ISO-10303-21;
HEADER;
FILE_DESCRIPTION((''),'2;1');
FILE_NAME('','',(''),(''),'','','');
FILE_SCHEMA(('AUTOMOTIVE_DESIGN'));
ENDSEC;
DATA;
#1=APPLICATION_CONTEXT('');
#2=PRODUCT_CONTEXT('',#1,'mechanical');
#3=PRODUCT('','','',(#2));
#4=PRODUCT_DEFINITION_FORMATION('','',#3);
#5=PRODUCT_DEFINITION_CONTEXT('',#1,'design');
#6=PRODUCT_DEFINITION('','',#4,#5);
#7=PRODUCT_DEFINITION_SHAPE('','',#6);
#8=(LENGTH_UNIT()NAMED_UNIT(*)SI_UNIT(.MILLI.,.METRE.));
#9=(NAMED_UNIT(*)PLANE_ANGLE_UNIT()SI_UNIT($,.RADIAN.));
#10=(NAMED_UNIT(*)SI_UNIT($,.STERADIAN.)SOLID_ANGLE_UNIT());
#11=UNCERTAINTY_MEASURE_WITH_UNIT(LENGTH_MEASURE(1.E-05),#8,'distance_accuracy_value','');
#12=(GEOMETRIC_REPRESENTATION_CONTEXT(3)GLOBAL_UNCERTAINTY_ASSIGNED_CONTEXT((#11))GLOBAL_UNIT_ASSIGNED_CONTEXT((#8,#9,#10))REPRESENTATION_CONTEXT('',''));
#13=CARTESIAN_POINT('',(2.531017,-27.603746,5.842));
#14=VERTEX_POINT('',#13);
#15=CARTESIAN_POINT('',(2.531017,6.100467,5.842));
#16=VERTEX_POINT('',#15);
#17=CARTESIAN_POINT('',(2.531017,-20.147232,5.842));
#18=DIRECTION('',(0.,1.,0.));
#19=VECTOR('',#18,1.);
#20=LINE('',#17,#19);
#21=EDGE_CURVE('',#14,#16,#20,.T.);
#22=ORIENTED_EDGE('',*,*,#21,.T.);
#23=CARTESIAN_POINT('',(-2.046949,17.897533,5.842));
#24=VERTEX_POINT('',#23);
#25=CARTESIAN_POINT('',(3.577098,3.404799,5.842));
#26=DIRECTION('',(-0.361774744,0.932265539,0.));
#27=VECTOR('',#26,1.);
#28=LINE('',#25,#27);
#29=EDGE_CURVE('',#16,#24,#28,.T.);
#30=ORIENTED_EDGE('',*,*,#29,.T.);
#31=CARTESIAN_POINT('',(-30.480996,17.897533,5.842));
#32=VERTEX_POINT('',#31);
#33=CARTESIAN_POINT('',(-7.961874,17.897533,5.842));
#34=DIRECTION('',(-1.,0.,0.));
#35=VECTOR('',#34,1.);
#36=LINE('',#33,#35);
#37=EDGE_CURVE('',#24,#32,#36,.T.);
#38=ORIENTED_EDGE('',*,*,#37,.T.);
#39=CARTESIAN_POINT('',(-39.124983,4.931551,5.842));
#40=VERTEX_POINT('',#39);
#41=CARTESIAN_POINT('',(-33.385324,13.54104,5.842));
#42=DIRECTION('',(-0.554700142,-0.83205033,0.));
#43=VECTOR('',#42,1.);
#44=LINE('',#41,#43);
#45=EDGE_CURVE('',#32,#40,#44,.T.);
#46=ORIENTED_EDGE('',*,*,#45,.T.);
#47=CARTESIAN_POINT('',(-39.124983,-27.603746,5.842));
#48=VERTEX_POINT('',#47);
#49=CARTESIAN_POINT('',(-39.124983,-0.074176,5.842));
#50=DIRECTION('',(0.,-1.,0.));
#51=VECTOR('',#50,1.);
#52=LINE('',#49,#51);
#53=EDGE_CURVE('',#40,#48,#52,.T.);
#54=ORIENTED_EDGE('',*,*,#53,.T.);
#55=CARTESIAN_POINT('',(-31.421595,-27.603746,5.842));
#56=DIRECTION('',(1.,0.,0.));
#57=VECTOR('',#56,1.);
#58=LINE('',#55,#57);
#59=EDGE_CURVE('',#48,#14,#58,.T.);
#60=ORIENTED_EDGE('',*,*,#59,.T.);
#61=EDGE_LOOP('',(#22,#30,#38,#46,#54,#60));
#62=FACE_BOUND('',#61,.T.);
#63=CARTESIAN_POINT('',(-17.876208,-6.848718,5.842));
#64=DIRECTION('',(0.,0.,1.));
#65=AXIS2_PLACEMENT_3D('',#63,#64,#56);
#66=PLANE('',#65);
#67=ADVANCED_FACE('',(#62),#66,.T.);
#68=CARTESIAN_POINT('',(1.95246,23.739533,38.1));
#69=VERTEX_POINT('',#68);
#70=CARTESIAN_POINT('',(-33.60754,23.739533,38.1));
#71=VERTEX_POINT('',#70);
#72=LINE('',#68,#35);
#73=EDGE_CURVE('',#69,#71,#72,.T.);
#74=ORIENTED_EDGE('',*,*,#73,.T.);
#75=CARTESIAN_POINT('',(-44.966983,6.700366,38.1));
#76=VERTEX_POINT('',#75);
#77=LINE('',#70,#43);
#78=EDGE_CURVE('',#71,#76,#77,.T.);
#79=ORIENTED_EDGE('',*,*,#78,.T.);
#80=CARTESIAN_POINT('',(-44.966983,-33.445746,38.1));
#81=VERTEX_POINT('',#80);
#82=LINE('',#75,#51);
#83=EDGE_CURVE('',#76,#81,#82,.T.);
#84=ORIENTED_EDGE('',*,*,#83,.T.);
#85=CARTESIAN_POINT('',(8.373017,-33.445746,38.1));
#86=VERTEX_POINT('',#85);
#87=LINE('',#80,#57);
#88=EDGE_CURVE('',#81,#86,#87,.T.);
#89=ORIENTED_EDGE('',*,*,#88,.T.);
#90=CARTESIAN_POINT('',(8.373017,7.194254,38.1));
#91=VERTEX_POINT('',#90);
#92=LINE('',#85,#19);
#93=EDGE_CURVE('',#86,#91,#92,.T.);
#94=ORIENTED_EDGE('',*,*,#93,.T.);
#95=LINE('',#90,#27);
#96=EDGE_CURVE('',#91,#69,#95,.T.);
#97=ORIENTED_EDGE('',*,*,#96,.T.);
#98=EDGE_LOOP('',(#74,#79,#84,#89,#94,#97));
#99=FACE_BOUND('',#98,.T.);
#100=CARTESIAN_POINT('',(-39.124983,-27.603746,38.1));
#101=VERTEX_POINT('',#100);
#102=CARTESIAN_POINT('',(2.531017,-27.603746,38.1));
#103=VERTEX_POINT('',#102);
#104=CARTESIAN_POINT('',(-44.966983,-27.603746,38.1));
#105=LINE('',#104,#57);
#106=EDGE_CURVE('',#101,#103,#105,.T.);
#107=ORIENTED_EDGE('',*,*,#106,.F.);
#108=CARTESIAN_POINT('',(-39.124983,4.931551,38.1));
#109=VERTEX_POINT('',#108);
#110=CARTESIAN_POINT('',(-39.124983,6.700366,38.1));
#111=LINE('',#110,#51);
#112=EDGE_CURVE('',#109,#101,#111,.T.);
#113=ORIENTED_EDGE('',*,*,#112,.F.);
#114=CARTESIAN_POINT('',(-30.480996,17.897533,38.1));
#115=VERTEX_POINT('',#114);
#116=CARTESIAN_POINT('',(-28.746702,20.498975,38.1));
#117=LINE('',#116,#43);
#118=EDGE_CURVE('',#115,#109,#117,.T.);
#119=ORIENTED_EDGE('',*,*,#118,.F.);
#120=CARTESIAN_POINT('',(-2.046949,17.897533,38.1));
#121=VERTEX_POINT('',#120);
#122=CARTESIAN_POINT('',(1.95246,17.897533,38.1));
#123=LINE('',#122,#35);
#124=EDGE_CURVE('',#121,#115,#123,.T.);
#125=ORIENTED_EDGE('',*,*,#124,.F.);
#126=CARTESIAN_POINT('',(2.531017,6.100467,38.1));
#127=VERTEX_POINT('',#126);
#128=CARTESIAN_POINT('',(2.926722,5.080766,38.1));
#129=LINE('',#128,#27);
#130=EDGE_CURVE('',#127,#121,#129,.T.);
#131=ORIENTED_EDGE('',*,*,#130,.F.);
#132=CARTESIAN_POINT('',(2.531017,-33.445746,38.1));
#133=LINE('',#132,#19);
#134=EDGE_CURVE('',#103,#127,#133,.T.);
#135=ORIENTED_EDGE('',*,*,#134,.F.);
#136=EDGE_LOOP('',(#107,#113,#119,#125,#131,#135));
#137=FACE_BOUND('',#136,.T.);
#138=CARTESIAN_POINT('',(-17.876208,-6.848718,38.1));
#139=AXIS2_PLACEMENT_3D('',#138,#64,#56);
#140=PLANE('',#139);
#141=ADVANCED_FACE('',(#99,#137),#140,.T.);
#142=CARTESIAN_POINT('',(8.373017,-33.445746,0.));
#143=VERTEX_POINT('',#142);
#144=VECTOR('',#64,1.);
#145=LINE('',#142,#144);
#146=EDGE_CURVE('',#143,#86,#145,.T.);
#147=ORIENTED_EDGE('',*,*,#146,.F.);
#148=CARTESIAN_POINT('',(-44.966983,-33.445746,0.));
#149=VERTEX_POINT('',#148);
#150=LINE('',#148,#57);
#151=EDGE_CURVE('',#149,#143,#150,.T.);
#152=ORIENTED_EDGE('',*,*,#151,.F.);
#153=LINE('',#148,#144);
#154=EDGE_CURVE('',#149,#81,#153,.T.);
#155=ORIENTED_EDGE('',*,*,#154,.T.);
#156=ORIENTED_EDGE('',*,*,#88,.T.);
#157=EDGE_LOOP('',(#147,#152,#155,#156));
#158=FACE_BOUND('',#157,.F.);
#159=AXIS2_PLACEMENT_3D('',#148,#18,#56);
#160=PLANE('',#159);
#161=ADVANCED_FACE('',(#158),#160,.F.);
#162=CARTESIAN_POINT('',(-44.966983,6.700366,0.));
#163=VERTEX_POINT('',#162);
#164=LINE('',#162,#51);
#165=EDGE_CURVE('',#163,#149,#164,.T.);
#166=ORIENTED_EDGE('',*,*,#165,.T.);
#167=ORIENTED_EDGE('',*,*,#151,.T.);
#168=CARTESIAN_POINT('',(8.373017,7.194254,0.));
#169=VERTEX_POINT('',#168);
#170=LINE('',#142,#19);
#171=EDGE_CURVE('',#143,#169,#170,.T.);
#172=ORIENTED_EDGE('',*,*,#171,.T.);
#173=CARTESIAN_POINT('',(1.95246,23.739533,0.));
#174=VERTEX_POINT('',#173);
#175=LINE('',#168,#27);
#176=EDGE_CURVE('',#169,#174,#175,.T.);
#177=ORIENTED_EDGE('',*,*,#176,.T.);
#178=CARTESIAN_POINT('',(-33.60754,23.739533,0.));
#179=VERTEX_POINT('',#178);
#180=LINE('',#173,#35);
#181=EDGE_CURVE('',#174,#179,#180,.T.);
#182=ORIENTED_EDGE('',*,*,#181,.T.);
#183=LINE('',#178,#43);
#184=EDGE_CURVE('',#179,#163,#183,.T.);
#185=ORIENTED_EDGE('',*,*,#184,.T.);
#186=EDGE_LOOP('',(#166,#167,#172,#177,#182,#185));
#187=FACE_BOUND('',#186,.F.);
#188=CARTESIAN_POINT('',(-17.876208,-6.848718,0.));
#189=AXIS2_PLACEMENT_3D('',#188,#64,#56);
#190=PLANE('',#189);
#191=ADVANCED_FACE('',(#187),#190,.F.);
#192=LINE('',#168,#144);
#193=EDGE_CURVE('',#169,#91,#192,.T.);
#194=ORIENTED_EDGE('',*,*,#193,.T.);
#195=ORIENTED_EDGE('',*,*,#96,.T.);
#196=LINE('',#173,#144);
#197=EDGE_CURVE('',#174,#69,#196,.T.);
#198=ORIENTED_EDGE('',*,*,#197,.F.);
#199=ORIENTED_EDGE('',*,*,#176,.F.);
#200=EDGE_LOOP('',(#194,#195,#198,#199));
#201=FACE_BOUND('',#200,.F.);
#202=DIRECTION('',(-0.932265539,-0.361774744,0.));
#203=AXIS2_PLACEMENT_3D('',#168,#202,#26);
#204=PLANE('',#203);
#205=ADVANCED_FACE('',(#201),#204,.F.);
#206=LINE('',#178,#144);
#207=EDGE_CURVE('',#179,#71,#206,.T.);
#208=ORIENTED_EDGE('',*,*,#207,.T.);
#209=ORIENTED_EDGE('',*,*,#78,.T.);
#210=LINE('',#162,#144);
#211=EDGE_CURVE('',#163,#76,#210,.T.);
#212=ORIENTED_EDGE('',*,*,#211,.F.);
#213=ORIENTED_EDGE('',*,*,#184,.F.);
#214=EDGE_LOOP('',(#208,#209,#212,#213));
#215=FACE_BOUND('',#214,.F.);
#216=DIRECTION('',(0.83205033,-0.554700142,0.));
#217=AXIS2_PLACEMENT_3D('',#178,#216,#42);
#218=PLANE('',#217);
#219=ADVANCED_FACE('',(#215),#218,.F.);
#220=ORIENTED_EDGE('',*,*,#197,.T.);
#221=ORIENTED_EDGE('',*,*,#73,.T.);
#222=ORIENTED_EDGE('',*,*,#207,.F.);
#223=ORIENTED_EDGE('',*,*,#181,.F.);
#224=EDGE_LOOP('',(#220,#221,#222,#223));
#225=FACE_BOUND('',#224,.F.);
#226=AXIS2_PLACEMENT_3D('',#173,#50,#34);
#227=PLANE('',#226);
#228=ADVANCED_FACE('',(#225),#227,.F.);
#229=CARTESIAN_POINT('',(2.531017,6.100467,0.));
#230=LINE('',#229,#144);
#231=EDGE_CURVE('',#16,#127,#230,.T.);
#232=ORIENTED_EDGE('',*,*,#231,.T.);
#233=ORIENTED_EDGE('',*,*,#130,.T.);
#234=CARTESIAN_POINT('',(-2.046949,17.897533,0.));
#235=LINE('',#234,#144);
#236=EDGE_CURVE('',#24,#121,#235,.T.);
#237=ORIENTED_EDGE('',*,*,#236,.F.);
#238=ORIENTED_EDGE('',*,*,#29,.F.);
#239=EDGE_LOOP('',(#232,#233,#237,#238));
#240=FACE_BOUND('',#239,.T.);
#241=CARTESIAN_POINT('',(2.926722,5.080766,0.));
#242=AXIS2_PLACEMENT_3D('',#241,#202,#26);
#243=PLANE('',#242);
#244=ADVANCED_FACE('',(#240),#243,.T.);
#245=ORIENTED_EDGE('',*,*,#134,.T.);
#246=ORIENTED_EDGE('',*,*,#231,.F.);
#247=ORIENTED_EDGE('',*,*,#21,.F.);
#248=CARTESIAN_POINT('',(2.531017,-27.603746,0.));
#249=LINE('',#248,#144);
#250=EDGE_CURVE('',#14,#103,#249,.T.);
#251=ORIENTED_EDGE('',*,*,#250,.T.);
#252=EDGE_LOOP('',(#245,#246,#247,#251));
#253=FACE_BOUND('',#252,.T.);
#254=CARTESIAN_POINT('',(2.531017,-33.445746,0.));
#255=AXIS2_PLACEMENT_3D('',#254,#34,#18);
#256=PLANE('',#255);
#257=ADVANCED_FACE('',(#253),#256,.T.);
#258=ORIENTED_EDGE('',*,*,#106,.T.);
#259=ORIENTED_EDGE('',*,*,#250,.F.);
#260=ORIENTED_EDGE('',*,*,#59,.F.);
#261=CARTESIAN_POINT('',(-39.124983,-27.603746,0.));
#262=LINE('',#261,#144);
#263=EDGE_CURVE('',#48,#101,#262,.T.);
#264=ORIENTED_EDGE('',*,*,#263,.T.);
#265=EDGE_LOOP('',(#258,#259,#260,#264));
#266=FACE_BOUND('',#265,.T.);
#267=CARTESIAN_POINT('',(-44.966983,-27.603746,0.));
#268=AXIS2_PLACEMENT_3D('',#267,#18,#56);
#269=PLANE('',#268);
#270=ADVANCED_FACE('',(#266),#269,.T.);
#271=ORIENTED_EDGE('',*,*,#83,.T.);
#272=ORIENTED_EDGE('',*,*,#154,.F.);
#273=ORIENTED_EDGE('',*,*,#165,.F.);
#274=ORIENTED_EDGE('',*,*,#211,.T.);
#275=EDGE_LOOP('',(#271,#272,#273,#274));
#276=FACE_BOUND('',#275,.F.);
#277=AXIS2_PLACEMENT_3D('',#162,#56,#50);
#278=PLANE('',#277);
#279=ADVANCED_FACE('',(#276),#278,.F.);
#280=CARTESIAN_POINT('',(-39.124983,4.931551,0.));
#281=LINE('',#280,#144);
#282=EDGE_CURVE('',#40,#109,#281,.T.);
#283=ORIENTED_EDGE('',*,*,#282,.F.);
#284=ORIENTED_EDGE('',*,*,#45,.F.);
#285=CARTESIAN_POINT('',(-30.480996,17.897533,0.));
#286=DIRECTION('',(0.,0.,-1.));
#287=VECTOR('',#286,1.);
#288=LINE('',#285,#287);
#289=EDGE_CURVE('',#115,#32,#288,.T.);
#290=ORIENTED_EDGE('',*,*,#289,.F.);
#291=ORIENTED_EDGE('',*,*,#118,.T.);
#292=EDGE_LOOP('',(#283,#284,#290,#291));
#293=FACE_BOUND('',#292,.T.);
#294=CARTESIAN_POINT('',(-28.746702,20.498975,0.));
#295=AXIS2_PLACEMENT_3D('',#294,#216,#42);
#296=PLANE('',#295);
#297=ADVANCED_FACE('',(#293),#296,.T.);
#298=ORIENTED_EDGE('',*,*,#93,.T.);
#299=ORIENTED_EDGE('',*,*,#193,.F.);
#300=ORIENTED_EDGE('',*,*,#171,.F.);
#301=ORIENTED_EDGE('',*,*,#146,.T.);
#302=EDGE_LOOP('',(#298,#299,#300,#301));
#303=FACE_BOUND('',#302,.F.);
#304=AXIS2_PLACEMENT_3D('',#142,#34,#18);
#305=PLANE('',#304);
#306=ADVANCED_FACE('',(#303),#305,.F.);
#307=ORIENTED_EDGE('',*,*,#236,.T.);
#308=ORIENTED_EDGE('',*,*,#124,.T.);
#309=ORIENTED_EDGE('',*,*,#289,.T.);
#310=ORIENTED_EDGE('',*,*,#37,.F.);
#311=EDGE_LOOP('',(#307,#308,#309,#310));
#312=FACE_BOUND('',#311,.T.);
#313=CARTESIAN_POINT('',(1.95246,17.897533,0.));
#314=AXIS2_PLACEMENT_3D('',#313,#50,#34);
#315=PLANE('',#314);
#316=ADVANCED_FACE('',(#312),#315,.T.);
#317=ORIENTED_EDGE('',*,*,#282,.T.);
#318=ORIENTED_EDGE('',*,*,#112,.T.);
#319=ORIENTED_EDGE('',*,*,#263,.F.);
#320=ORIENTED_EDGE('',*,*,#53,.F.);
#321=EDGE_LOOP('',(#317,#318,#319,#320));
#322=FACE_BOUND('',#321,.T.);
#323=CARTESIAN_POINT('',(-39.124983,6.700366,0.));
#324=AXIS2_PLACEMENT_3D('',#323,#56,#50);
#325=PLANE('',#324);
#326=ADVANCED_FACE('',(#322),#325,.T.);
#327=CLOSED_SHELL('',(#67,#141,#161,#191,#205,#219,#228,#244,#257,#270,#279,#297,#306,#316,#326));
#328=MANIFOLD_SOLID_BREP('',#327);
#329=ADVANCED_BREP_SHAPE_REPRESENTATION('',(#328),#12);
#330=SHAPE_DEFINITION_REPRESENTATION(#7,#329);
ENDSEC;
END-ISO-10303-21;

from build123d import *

# Parameters (mm, degrees)
F1_DEPTH = 38.1
F2_T     = -5.842


with BuildPart() as f1:
    # F0 (on Top) → F1 (new body)
    with BuildSketch(Plane.XY):
        Polygon((-33.6075396667, 23.7395333143), (-44.9669826461, 6.7003664479), (-44.9669826461, -33.4457455955), (8.3730173539, -33.4457455955), (8.3730173539, 7.1942544045), (1.9524603333, 23.7395333143), align=None)
        Polygon((-38.6169832995, -27.095746249), (-38.6169832995, 4.7777415712), (-30.2091228848, 17.3895339678), (-2.3947237989, 17.3895339678), (2.0230180074, 6.0053549781), (2.0230180074, -27.095746249), align=None, mode=Mode.SUBTRACT)
        Polygon((-30.2091228848, 17.3895339678), (-38.6169832995, 4.7777415712), (-38.6169832995, -27.095746249), (2.0230180074, -27.095746249), (2.0230180074, 6.0053549781), (-2.3947237989, 17.3895339678), align=None)
    extrude(amount=F1_DEPTH)

    # F2
    f2_openings = [f1.faces().sort_by_distance(p)[0] for p in [
        (-17.982638, -6.040273, 38.1),
    ]]
    offset(amount=F2_T, openings=f2_openings)


solid = f1.part
